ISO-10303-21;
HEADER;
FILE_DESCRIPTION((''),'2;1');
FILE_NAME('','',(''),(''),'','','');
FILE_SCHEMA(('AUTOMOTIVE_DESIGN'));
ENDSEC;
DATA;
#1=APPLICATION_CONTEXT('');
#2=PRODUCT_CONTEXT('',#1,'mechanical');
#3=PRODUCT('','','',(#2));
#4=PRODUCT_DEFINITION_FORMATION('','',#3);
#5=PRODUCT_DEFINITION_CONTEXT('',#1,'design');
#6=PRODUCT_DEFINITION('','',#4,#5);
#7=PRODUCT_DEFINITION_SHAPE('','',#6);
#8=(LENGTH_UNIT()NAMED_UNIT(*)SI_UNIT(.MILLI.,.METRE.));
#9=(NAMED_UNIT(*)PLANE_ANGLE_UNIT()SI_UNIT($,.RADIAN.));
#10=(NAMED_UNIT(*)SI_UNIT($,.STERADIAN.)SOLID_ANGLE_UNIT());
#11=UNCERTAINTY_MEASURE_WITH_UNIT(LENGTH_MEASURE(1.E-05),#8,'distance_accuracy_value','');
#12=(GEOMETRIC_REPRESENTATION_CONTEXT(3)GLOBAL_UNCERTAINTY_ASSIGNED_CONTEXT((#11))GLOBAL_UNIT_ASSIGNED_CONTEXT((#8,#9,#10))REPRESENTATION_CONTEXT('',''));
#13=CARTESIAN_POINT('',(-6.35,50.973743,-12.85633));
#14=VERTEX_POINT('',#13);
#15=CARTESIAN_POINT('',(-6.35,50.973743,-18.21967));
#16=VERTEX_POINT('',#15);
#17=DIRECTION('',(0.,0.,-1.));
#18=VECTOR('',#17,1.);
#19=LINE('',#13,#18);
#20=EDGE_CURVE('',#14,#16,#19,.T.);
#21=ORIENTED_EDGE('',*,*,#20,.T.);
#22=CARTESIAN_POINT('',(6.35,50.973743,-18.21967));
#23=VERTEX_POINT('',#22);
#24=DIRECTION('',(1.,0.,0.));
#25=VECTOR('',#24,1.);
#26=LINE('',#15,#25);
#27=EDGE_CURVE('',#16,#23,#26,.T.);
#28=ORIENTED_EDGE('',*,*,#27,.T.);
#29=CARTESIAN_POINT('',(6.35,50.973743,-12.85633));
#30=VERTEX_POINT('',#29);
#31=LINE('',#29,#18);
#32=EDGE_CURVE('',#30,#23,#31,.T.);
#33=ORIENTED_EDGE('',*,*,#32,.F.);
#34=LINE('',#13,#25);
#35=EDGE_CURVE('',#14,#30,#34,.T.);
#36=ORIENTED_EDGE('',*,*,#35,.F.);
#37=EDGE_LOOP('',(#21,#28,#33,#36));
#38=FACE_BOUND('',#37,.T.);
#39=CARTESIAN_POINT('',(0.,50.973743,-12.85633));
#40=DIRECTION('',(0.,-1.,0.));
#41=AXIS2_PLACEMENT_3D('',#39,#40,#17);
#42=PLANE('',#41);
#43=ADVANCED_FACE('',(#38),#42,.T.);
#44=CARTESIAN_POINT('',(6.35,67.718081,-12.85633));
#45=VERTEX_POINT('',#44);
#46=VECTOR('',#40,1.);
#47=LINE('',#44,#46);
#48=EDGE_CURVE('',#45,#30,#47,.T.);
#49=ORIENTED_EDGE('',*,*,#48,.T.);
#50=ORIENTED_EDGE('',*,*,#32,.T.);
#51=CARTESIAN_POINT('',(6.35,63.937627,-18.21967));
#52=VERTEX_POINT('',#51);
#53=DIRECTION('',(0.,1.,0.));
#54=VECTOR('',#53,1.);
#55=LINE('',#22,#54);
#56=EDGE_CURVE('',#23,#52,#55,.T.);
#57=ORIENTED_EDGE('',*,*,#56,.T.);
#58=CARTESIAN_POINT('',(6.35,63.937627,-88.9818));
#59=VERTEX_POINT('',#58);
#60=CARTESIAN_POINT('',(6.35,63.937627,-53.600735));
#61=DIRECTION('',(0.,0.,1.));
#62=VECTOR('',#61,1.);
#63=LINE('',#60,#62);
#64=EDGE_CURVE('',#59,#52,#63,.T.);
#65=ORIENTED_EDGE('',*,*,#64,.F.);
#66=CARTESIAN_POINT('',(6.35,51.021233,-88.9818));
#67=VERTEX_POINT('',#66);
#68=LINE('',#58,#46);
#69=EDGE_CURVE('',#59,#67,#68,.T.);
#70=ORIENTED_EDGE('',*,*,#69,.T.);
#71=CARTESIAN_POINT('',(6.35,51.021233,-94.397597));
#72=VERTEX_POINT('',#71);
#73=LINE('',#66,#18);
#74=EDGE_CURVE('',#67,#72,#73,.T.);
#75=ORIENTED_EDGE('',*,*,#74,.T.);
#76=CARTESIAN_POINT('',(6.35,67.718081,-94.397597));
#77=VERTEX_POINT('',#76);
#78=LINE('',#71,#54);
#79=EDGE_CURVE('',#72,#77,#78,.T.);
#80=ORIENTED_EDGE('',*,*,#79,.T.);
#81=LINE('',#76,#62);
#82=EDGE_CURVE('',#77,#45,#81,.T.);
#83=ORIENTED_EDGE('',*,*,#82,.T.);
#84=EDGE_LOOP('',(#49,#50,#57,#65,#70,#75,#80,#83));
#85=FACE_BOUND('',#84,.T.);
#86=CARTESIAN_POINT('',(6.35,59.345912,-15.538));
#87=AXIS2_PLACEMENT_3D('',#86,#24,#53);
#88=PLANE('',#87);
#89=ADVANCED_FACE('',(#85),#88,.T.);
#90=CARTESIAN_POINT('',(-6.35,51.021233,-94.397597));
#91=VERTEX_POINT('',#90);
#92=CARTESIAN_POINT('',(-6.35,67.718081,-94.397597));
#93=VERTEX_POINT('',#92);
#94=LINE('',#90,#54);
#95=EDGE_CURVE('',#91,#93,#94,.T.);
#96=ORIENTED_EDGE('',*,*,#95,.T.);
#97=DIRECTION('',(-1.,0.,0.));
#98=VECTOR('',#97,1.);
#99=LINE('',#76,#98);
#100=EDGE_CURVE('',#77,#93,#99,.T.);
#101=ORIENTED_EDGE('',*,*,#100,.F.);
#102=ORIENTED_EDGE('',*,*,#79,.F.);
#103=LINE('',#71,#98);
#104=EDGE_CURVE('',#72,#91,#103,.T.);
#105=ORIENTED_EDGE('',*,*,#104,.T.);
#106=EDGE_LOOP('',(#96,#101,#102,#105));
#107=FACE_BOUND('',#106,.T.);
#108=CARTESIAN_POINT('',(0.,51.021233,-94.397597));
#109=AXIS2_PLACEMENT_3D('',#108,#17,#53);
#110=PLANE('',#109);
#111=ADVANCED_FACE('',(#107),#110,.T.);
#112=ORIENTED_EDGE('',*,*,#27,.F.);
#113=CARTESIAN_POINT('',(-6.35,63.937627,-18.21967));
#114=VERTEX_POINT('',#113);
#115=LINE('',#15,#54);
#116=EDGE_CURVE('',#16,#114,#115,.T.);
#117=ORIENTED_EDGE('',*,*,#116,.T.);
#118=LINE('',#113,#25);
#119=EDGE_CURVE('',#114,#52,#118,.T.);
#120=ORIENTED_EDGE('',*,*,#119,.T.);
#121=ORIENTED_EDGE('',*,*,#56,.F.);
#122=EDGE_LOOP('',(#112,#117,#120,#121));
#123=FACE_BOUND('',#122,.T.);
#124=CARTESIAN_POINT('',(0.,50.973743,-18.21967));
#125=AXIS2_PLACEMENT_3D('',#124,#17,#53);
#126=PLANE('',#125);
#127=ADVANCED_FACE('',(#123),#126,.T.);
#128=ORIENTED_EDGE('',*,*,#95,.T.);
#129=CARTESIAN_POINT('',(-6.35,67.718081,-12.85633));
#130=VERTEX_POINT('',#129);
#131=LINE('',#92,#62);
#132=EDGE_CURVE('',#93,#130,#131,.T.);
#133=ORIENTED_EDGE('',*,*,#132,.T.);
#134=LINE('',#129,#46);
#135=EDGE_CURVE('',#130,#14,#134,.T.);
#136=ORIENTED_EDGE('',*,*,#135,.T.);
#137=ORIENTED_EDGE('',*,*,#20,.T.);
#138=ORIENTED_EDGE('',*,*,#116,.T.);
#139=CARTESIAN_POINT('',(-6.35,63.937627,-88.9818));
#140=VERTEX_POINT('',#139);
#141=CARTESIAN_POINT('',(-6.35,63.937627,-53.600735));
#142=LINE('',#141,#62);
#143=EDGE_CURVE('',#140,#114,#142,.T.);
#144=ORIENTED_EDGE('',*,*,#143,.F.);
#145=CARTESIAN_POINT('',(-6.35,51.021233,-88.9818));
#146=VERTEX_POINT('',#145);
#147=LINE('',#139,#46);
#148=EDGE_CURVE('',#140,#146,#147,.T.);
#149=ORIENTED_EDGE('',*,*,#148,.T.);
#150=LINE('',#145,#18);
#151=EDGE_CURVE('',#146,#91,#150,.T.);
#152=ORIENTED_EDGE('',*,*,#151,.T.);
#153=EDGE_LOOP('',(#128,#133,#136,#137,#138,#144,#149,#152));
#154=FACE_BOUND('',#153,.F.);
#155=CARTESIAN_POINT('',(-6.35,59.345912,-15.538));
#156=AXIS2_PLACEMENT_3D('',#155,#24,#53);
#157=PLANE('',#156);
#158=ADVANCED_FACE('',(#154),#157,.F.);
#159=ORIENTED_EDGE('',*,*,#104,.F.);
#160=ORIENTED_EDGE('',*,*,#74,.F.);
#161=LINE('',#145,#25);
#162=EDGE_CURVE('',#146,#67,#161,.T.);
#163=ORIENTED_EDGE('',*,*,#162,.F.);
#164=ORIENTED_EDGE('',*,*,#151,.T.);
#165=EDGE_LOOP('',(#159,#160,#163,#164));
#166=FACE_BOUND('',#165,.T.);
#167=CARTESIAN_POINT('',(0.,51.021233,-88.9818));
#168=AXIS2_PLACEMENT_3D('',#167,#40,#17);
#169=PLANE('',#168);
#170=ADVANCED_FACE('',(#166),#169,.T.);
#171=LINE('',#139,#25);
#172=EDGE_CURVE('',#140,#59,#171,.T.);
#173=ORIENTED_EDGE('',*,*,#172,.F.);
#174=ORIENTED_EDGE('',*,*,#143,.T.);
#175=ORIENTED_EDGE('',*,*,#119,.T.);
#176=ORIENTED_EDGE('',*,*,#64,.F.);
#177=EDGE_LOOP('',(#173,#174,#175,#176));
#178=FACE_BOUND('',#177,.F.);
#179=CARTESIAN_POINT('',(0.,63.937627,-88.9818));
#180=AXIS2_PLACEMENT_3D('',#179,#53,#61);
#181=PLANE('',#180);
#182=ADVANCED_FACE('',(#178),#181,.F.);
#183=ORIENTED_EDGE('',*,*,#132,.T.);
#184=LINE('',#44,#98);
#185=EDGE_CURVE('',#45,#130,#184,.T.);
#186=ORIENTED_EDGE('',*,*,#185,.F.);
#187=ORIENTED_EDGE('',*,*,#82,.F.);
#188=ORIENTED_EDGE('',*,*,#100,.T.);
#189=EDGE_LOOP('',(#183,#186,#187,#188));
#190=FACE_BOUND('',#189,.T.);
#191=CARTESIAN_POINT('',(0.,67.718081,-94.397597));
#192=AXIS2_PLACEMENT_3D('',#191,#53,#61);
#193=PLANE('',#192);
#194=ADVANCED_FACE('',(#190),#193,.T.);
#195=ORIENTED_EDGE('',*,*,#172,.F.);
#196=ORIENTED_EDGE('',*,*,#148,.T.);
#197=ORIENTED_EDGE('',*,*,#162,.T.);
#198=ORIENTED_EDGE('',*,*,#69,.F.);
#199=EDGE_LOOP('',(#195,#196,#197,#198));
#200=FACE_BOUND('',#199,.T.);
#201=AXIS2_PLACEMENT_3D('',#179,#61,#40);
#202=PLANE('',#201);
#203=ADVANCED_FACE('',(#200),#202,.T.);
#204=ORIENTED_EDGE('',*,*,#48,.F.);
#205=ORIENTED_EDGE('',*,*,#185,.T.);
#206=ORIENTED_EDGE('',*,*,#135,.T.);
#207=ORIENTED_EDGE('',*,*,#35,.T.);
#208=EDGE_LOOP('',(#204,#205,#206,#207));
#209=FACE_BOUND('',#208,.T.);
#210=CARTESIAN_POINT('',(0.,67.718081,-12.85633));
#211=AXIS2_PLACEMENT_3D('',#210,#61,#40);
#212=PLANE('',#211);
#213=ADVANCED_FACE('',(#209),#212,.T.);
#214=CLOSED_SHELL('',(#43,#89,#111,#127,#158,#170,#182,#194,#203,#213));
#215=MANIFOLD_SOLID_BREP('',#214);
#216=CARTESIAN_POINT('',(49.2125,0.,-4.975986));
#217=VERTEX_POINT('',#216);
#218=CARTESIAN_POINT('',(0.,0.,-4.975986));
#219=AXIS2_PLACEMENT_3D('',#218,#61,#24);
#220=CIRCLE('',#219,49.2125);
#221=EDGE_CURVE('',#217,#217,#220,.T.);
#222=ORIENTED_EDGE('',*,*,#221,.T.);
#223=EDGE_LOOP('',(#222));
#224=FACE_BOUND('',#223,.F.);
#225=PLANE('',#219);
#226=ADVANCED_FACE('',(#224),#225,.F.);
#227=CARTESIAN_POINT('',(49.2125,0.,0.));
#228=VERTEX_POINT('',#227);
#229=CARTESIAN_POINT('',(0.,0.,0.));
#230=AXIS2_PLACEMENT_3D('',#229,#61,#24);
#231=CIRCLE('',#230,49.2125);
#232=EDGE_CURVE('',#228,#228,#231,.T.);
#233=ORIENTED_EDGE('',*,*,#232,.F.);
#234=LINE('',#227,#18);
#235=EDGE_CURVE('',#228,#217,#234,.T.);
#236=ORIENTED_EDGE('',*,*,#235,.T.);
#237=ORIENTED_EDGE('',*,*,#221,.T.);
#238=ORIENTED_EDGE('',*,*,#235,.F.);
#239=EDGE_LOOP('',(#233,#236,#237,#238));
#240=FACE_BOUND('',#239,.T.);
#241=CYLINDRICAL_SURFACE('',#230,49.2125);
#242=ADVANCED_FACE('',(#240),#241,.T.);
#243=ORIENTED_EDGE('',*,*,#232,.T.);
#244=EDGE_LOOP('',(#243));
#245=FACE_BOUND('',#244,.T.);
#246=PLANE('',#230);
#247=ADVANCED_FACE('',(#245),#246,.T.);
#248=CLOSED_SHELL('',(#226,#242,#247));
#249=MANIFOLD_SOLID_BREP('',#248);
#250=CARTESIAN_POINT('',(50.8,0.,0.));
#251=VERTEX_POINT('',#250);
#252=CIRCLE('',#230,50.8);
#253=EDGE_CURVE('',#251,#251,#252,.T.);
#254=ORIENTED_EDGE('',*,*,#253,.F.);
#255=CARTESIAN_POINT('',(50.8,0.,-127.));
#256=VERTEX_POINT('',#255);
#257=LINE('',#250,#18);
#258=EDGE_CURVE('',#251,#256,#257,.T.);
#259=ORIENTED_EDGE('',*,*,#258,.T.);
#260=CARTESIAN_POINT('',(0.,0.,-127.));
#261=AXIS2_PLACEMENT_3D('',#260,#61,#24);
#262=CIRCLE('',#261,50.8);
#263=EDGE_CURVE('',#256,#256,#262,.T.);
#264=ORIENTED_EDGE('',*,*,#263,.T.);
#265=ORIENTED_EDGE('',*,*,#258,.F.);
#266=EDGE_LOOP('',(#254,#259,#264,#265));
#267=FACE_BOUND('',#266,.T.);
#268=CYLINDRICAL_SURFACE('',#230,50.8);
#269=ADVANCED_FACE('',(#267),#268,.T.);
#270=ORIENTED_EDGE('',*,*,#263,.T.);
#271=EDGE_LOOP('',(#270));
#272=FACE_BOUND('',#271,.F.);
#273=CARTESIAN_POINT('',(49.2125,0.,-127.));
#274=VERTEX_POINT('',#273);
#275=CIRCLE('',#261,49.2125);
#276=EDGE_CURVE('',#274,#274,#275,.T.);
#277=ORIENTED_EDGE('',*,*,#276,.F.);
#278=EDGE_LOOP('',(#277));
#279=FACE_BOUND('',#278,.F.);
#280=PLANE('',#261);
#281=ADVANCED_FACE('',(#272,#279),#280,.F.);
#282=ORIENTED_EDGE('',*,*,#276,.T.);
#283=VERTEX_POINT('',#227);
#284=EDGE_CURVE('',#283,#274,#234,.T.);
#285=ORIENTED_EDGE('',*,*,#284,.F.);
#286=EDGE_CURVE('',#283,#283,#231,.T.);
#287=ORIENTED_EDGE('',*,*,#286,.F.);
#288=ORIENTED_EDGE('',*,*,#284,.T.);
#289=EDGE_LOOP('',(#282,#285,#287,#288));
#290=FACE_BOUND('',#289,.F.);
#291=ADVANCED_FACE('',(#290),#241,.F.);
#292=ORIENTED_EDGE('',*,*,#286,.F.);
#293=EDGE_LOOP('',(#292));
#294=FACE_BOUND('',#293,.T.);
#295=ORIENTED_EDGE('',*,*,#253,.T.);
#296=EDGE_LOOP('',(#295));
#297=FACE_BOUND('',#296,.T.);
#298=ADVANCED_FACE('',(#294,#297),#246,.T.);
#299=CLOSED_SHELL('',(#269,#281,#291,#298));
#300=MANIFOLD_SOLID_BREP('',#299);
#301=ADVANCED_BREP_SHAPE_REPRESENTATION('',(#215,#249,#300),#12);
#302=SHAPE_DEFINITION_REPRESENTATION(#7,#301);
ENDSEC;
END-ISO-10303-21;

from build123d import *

# Parameters (mm, degrees)
F0_R     = 50.8
F0_R_2   = 49.2125
F1_DEPTH = 127
F2_DEPTH = 4.975986
F3_W     = 3.780454
F3_H     = 70.76213
F4_DEPTH = 6.35


with BuildPart() as f1:
    # F0 (on Top) → F1 (new body)
    with BuildSketch(Plane.XY):
        Circle(F0_R)
        Circle(F0_R_2, mode=Mode.SUBTRACT)
    extrude(amount=-F1_DEPTH)


with BuildPart() as f2:
    # F0 (on Top) → F2 (new body)
    with BuildSketch(Plane.XY):
        Circle(F0_R_2)
    extrude(amount=-F2_DEPTH)


with BuildPart() as f4:
    # F3 (on Right) → F4 (new body, symmetric)
    with BuildSketch(Plane.YZ):
        Polygon((63.937627, -18.21967), (67.718081, -18.21967), (67.718081, -12.85633), (50.973743, -12.85633), (50.973743, -18.21967), align=None)
        with Locations((65.827854, -53.600735)):
            Rectangle(F3_W, F3_H)
        Polygon((67.718081, -94.397597), (67.718081, -88.9818), (63.937627, -88.9818), (51.021233, -88.9818), (51.021233, -94.397597), align=None)
    extrude(amount=F4_DEPTH, both=True)


solid = Compound([f1.part, f2.part, f4.part])
